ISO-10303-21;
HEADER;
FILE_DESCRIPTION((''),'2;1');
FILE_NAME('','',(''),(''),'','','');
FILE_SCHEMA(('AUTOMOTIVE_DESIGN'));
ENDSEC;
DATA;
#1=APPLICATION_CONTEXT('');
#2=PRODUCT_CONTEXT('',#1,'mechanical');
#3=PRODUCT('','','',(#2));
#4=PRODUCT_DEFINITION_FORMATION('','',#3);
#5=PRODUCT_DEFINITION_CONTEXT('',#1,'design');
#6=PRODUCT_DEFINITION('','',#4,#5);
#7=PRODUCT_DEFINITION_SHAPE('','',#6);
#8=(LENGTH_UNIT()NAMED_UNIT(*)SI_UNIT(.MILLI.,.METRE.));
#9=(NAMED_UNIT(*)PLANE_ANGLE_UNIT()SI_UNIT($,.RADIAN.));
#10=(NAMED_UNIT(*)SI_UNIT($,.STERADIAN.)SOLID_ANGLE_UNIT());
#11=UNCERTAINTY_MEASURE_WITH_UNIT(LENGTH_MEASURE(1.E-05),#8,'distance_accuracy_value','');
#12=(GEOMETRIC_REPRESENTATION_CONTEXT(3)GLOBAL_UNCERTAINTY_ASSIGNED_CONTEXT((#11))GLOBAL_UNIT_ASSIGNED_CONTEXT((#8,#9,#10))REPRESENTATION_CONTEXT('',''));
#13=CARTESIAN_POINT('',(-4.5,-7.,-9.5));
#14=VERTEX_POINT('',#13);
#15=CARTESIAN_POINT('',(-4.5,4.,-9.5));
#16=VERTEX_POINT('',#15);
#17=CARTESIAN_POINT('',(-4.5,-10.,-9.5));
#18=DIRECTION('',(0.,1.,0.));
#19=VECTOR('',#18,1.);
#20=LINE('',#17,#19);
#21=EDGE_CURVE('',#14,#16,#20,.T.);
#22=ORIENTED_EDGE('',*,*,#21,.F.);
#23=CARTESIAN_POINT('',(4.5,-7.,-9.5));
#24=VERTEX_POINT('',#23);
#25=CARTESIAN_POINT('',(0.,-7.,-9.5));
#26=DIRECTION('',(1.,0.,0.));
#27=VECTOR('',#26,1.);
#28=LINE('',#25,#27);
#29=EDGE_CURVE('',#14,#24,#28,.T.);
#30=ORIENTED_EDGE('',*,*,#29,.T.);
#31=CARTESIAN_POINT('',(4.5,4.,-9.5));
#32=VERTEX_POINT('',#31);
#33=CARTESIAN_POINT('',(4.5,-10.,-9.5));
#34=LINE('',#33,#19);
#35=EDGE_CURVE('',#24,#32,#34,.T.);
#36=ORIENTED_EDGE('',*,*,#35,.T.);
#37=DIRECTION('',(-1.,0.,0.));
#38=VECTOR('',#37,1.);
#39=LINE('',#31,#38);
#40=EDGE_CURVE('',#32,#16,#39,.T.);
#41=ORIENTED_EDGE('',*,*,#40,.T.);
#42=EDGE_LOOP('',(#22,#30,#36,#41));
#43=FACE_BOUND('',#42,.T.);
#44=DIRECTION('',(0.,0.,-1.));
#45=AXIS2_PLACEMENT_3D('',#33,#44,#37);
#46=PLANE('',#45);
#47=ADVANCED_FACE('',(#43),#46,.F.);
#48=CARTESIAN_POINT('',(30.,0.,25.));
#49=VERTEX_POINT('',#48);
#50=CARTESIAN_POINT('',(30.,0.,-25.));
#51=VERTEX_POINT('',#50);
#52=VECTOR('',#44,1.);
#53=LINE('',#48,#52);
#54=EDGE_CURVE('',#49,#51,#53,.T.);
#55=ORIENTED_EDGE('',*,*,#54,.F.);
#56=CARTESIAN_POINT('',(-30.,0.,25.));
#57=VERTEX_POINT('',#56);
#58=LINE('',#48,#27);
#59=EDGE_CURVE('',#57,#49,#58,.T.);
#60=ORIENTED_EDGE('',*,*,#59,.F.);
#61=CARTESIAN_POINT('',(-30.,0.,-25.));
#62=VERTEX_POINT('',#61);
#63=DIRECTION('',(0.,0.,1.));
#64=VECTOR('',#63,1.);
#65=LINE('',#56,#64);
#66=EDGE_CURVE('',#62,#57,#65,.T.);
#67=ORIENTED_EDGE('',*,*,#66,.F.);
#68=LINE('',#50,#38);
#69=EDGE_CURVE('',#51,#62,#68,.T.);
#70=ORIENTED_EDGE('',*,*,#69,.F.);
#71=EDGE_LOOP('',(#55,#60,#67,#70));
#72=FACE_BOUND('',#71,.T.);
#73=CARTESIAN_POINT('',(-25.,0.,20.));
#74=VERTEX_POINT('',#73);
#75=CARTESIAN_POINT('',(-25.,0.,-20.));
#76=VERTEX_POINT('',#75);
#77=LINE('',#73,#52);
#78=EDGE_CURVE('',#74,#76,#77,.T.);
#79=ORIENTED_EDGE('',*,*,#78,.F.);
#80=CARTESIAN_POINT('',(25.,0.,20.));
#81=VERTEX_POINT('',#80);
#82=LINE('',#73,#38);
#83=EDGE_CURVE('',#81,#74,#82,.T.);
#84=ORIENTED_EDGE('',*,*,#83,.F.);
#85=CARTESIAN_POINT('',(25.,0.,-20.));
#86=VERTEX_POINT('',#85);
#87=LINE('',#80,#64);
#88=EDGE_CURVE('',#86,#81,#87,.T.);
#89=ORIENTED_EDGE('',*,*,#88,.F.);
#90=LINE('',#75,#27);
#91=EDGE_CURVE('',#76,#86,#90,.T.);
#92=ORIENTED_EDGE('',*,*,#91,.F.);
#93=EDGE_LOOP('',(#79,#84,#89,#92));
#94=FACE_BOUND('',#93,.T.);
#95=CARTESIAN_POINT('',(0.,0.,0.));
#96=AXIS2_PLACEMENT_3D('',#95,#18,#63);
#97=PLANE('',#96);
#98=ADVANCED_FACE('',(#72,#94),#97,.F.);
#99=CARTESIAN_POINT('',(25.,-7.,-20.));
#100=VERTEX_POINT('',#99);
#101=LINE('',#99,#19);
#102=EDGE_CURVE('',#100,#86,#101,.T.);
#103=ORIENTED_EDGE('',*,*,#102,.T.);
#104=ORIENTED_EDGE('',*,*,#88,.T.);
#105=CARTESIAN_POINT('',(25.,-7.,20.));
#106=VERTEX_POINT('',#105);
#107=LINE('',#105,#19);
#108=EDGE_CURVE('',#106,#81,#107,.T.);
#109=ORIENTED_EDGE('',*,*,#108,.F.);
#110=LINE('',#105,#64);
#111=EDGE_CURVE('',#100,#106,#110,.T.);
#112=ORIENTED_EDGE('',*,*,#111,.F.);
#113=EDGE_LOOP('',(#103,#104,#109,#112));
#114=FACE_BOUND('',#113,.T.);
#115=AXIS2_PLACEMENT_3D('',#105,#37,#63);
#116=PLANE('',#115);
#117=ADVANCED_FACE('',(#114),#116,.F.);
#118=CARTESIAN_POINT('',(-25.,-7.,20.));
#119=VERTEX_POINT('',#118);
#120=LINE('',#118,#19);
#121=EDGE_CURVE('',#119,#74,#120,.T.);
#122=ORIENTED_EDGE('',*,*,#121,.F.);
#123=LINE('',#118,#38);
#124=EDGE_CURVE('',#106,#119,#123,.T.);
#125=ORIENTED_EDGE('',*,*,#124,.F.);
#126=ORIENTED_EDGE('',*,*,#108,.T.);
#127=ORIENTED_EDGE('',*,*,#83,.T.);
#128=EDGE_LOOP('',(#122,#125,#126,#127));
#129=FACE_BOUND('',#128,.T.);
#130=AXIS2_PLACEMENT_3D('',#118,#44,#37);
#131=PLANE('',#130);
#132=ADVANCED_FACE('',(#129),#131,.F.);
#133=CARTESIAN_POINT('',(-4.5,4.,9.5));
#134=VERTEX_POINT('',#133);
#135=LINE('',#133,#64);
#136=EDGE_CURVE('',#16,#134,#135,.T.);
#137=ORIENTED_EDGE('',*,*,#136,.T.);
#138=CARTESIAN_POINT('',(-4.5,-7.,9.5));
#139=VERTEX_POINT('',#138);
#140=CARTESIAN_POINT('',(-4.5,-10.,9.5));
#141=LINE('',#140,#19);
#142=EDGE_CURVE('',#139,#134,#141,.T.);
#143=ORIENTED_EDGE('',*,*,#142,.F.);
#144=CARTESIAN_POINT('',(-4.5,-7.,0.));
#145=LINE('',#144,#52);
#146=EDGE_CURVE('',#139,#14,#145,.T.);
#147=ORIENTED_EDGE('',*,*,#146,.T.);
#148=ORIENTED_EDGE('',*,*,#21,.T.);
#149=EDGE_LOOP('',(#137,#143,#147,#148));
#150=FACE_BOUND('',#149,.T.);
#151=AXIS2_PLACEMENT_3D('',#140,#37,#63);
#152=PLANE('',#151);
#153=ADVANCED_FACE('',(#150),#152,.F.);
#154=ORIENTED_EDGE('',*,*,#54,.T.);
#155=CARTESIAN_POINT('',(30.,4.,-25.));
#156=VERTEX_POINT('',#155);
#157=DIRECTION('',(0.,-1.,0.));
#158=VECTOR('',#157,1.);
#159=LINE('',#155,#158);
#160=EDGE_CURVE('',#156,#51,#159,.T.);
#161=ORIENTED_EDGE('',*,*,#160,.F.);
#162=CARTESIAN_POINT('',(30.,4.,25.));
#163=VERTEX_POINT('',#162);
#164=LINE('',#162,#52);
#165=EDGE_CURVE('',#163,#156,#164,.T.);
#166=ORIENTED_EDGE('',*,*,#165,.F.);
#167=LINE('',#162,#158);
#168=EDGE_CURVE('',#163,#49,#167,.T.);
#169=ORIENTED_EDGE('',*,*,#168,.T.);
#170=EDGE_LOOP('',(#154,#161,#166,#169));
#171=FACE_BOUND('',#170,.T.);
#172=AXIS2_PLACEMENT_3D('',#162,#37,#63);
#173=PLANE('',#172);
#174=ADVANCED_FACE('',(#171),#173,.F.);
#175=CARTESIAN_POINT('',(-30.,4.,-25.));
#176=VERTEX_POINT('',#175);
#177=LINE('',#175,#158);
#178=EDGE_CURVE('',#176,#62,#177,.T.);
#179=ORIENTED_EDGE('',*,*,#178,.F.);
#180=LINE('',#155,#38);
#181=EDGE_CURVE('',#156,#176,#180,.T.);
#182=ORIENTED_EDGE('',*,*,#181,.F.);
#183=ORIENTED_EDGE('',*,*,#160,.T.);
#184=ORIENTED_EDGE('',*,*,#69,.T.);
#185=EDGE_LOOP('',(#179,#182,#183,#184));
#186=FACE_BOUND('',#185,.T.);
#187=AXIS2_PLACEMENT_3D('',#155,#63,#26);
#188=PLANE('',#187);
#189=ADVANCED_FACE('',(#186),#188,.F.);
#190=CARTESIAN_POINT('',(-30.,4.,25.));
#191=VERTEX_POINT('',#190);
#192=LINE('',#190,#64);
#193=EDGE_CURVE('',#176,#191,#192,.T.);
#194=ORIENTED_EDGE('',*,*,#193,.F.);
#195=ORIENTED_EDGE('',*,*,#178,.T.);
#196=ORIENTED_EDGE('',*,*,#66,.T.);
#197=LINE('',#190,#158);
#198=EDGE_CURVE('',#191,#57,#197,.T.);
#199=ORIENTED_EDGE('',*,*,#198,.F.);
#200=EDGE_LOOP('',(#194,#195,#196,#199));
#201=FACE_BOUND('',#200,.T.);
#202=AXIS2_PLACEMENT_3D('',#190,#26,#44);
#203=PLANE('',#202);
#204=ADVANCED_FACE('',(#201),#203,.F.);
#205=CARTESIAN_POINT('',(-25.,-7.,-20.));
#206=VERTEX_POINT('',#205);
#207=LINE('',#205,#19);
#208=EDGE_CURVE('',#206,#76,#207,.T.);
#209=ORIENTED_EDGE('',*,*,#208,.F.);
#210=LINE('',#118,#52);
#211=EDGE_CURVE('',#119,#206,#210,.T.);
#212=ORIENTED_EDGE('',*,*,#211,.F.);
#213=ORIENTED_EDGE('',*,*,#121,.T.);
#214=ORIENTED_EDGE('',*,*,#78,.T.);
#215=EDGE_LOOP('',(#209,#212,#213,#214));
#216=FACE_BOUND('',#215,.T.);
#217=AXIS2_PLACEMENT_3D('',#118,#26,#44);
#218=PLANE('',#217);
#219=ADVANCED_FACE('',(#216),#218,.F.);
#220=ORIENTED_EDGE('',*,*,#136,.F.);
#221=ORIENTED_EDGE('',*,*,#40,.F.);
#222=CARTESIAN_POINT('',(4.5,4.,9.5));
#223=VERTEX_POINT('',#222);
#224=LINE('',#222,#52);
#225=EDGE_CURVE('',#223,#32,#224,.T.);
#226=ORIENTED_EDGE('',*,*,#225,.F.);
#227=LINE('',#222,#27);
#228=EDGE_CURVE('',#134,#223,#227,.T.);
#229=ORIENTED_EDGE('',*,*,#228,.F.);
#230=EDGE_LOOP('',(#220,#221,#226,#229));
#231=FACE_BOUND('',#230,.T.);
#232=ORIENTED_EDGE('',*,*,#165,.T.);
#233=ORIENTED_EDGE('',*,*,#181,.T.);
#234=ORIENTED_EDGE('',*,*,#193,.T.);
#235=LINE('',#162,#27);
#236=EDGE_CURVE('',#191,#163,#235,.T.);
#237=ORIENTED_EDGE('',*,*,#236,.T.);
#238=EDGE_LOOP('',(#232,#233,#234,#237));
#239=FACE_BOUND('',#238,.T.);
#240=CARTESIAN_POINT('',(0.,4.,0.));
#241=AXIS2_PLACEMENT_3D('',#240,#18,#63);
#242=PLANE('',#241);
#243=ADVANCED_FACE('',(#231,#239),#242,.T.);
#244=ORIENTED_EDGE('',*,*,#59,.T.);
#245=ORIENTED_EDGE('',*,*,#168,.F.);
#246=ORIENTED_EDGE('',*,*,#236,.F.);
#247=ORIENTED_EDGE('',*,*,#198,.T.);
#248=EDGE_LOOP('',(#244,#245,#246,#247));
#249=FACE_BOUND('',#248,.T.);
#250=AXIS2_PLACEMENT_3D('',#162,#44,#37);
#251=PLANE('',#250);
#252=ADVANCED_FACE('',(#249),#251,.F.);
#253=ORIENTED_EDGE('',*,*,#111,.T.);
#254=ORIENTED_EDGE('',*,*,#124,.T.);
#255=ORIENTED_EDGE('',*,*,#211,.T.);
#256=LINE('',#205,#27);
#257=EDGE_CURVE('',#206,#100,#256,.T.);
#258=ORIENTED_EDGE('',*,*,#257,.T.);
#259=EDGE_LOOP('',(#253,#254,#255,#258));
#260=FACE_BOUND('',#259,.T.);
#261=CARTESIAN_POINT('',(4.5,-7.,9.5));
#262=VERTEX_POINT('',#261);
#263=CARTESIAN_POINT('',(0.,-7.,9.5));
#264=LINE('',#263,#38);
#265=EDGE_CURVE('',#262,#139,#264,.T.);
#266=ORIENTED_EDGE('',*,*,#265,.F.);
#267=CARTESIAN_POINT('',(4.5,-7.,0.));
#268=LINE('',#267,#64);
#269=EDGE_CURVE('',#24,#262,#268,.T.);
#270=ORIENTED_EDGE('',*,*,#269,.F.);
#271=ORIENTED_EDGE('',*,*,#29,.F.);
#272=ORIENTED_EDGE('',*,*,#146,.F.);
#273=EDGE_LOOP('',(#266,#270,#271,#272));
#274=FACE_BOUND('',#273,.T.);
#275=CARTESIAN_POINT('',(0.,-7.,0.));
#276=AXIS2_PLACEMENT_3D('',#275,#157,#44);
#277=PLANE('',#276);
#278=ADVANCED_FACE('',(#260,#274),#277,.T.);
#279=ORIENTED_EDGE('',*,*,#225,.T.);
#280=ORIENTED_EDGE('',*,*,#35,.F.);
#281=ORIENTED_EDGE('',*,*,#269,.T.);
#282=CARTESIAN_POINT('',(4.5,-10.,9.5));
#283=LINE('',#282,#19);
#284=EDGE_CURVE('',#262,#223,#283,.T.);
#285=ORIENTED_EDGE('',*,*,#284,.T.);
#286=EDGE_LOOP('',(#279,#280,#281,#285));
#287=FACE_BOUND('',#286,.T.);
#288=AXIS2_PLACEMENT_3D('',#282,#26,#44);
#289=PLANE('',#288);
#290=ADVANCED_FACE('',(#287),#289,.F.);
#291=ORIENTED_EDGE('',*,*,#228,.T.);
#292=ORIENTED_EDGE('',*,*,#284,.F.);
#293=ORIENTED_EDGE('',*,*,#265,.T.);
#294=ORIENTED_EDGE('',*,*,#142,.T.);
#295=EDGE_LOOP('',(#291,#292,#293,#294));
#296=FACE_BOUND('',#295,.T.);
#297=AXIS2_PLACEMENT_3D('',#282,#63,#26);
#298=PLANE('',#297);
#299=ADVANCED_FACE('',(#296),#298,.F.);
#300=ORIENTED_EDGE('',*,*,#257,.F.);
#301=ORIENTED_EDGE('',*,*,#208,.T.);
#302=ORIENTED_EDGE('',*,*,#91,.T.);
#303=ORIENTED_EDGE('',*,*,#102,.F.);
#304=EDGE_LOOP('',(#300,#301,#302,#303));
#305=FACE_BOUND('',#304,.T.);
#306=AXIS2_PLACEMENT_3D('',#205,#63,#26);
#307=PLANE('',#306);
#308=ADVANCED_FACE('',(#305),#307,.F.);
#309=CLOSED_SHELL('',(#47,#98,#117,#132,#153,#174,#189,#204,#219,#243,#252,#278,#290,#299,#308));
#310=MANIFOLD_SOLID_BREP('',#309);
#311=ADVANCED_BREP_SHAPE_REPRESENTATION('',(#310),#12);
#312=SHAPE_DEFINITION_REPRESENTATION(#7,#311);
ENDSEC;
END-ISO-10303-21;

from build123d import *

# Parameters (mm, degrees)
SKETCH1_W           = 60
SKETCH1_H           = 50
BOSS_EXTRUDE1_DEPTH = 4
SKETCH2_W           = 50
SKETCH2_H           = 40
BOSS_EXTRUDE2_DEPTH = 7
SKETCH3_W           = 9
SKETCH3_H           = 19
CUT_EXTRUDE1_DEPTH  = 14


with BuildPart() as part:
    # Sketch1 → Boss-Extrude1 (new body)
    with BuildSketch(Plane(origin=(0, 0, 0), x_dir=(1, 0, 0), z_dir=(0, 1, 0))):
        Rectangle(SKETCH1_W, SKETCH1_H)
    extrude(amount=BOSS_EXTRUDE1_DEPTH)

    # Sketch2 → Boss-Extrude2 (add)
    with BuildSketch(Plane(origin=(0, 0, 0), x_dir=(-1, 0, 0), z_dir=(0, -1, 0))):
        Rectangle(SKETCH2_W, SKETCH2_H)
    extrude(amount=BOSS_EXTRUDE2_DEPTH)

    # Sketch3 → Cut-Extrude1 (cut)
    with BuildSketch(Plane(origin=(0, 4, 0), x_dir=(1, 0, 0), z_dir=(0, 1, 0))):
        Rectangle(SKETCH3_W, SKETCH3_H)
    extrude(amount=-CUT_EXTRUDE1_DEPTH, mode=Mode.SUBTRACT)


solid = part.part
